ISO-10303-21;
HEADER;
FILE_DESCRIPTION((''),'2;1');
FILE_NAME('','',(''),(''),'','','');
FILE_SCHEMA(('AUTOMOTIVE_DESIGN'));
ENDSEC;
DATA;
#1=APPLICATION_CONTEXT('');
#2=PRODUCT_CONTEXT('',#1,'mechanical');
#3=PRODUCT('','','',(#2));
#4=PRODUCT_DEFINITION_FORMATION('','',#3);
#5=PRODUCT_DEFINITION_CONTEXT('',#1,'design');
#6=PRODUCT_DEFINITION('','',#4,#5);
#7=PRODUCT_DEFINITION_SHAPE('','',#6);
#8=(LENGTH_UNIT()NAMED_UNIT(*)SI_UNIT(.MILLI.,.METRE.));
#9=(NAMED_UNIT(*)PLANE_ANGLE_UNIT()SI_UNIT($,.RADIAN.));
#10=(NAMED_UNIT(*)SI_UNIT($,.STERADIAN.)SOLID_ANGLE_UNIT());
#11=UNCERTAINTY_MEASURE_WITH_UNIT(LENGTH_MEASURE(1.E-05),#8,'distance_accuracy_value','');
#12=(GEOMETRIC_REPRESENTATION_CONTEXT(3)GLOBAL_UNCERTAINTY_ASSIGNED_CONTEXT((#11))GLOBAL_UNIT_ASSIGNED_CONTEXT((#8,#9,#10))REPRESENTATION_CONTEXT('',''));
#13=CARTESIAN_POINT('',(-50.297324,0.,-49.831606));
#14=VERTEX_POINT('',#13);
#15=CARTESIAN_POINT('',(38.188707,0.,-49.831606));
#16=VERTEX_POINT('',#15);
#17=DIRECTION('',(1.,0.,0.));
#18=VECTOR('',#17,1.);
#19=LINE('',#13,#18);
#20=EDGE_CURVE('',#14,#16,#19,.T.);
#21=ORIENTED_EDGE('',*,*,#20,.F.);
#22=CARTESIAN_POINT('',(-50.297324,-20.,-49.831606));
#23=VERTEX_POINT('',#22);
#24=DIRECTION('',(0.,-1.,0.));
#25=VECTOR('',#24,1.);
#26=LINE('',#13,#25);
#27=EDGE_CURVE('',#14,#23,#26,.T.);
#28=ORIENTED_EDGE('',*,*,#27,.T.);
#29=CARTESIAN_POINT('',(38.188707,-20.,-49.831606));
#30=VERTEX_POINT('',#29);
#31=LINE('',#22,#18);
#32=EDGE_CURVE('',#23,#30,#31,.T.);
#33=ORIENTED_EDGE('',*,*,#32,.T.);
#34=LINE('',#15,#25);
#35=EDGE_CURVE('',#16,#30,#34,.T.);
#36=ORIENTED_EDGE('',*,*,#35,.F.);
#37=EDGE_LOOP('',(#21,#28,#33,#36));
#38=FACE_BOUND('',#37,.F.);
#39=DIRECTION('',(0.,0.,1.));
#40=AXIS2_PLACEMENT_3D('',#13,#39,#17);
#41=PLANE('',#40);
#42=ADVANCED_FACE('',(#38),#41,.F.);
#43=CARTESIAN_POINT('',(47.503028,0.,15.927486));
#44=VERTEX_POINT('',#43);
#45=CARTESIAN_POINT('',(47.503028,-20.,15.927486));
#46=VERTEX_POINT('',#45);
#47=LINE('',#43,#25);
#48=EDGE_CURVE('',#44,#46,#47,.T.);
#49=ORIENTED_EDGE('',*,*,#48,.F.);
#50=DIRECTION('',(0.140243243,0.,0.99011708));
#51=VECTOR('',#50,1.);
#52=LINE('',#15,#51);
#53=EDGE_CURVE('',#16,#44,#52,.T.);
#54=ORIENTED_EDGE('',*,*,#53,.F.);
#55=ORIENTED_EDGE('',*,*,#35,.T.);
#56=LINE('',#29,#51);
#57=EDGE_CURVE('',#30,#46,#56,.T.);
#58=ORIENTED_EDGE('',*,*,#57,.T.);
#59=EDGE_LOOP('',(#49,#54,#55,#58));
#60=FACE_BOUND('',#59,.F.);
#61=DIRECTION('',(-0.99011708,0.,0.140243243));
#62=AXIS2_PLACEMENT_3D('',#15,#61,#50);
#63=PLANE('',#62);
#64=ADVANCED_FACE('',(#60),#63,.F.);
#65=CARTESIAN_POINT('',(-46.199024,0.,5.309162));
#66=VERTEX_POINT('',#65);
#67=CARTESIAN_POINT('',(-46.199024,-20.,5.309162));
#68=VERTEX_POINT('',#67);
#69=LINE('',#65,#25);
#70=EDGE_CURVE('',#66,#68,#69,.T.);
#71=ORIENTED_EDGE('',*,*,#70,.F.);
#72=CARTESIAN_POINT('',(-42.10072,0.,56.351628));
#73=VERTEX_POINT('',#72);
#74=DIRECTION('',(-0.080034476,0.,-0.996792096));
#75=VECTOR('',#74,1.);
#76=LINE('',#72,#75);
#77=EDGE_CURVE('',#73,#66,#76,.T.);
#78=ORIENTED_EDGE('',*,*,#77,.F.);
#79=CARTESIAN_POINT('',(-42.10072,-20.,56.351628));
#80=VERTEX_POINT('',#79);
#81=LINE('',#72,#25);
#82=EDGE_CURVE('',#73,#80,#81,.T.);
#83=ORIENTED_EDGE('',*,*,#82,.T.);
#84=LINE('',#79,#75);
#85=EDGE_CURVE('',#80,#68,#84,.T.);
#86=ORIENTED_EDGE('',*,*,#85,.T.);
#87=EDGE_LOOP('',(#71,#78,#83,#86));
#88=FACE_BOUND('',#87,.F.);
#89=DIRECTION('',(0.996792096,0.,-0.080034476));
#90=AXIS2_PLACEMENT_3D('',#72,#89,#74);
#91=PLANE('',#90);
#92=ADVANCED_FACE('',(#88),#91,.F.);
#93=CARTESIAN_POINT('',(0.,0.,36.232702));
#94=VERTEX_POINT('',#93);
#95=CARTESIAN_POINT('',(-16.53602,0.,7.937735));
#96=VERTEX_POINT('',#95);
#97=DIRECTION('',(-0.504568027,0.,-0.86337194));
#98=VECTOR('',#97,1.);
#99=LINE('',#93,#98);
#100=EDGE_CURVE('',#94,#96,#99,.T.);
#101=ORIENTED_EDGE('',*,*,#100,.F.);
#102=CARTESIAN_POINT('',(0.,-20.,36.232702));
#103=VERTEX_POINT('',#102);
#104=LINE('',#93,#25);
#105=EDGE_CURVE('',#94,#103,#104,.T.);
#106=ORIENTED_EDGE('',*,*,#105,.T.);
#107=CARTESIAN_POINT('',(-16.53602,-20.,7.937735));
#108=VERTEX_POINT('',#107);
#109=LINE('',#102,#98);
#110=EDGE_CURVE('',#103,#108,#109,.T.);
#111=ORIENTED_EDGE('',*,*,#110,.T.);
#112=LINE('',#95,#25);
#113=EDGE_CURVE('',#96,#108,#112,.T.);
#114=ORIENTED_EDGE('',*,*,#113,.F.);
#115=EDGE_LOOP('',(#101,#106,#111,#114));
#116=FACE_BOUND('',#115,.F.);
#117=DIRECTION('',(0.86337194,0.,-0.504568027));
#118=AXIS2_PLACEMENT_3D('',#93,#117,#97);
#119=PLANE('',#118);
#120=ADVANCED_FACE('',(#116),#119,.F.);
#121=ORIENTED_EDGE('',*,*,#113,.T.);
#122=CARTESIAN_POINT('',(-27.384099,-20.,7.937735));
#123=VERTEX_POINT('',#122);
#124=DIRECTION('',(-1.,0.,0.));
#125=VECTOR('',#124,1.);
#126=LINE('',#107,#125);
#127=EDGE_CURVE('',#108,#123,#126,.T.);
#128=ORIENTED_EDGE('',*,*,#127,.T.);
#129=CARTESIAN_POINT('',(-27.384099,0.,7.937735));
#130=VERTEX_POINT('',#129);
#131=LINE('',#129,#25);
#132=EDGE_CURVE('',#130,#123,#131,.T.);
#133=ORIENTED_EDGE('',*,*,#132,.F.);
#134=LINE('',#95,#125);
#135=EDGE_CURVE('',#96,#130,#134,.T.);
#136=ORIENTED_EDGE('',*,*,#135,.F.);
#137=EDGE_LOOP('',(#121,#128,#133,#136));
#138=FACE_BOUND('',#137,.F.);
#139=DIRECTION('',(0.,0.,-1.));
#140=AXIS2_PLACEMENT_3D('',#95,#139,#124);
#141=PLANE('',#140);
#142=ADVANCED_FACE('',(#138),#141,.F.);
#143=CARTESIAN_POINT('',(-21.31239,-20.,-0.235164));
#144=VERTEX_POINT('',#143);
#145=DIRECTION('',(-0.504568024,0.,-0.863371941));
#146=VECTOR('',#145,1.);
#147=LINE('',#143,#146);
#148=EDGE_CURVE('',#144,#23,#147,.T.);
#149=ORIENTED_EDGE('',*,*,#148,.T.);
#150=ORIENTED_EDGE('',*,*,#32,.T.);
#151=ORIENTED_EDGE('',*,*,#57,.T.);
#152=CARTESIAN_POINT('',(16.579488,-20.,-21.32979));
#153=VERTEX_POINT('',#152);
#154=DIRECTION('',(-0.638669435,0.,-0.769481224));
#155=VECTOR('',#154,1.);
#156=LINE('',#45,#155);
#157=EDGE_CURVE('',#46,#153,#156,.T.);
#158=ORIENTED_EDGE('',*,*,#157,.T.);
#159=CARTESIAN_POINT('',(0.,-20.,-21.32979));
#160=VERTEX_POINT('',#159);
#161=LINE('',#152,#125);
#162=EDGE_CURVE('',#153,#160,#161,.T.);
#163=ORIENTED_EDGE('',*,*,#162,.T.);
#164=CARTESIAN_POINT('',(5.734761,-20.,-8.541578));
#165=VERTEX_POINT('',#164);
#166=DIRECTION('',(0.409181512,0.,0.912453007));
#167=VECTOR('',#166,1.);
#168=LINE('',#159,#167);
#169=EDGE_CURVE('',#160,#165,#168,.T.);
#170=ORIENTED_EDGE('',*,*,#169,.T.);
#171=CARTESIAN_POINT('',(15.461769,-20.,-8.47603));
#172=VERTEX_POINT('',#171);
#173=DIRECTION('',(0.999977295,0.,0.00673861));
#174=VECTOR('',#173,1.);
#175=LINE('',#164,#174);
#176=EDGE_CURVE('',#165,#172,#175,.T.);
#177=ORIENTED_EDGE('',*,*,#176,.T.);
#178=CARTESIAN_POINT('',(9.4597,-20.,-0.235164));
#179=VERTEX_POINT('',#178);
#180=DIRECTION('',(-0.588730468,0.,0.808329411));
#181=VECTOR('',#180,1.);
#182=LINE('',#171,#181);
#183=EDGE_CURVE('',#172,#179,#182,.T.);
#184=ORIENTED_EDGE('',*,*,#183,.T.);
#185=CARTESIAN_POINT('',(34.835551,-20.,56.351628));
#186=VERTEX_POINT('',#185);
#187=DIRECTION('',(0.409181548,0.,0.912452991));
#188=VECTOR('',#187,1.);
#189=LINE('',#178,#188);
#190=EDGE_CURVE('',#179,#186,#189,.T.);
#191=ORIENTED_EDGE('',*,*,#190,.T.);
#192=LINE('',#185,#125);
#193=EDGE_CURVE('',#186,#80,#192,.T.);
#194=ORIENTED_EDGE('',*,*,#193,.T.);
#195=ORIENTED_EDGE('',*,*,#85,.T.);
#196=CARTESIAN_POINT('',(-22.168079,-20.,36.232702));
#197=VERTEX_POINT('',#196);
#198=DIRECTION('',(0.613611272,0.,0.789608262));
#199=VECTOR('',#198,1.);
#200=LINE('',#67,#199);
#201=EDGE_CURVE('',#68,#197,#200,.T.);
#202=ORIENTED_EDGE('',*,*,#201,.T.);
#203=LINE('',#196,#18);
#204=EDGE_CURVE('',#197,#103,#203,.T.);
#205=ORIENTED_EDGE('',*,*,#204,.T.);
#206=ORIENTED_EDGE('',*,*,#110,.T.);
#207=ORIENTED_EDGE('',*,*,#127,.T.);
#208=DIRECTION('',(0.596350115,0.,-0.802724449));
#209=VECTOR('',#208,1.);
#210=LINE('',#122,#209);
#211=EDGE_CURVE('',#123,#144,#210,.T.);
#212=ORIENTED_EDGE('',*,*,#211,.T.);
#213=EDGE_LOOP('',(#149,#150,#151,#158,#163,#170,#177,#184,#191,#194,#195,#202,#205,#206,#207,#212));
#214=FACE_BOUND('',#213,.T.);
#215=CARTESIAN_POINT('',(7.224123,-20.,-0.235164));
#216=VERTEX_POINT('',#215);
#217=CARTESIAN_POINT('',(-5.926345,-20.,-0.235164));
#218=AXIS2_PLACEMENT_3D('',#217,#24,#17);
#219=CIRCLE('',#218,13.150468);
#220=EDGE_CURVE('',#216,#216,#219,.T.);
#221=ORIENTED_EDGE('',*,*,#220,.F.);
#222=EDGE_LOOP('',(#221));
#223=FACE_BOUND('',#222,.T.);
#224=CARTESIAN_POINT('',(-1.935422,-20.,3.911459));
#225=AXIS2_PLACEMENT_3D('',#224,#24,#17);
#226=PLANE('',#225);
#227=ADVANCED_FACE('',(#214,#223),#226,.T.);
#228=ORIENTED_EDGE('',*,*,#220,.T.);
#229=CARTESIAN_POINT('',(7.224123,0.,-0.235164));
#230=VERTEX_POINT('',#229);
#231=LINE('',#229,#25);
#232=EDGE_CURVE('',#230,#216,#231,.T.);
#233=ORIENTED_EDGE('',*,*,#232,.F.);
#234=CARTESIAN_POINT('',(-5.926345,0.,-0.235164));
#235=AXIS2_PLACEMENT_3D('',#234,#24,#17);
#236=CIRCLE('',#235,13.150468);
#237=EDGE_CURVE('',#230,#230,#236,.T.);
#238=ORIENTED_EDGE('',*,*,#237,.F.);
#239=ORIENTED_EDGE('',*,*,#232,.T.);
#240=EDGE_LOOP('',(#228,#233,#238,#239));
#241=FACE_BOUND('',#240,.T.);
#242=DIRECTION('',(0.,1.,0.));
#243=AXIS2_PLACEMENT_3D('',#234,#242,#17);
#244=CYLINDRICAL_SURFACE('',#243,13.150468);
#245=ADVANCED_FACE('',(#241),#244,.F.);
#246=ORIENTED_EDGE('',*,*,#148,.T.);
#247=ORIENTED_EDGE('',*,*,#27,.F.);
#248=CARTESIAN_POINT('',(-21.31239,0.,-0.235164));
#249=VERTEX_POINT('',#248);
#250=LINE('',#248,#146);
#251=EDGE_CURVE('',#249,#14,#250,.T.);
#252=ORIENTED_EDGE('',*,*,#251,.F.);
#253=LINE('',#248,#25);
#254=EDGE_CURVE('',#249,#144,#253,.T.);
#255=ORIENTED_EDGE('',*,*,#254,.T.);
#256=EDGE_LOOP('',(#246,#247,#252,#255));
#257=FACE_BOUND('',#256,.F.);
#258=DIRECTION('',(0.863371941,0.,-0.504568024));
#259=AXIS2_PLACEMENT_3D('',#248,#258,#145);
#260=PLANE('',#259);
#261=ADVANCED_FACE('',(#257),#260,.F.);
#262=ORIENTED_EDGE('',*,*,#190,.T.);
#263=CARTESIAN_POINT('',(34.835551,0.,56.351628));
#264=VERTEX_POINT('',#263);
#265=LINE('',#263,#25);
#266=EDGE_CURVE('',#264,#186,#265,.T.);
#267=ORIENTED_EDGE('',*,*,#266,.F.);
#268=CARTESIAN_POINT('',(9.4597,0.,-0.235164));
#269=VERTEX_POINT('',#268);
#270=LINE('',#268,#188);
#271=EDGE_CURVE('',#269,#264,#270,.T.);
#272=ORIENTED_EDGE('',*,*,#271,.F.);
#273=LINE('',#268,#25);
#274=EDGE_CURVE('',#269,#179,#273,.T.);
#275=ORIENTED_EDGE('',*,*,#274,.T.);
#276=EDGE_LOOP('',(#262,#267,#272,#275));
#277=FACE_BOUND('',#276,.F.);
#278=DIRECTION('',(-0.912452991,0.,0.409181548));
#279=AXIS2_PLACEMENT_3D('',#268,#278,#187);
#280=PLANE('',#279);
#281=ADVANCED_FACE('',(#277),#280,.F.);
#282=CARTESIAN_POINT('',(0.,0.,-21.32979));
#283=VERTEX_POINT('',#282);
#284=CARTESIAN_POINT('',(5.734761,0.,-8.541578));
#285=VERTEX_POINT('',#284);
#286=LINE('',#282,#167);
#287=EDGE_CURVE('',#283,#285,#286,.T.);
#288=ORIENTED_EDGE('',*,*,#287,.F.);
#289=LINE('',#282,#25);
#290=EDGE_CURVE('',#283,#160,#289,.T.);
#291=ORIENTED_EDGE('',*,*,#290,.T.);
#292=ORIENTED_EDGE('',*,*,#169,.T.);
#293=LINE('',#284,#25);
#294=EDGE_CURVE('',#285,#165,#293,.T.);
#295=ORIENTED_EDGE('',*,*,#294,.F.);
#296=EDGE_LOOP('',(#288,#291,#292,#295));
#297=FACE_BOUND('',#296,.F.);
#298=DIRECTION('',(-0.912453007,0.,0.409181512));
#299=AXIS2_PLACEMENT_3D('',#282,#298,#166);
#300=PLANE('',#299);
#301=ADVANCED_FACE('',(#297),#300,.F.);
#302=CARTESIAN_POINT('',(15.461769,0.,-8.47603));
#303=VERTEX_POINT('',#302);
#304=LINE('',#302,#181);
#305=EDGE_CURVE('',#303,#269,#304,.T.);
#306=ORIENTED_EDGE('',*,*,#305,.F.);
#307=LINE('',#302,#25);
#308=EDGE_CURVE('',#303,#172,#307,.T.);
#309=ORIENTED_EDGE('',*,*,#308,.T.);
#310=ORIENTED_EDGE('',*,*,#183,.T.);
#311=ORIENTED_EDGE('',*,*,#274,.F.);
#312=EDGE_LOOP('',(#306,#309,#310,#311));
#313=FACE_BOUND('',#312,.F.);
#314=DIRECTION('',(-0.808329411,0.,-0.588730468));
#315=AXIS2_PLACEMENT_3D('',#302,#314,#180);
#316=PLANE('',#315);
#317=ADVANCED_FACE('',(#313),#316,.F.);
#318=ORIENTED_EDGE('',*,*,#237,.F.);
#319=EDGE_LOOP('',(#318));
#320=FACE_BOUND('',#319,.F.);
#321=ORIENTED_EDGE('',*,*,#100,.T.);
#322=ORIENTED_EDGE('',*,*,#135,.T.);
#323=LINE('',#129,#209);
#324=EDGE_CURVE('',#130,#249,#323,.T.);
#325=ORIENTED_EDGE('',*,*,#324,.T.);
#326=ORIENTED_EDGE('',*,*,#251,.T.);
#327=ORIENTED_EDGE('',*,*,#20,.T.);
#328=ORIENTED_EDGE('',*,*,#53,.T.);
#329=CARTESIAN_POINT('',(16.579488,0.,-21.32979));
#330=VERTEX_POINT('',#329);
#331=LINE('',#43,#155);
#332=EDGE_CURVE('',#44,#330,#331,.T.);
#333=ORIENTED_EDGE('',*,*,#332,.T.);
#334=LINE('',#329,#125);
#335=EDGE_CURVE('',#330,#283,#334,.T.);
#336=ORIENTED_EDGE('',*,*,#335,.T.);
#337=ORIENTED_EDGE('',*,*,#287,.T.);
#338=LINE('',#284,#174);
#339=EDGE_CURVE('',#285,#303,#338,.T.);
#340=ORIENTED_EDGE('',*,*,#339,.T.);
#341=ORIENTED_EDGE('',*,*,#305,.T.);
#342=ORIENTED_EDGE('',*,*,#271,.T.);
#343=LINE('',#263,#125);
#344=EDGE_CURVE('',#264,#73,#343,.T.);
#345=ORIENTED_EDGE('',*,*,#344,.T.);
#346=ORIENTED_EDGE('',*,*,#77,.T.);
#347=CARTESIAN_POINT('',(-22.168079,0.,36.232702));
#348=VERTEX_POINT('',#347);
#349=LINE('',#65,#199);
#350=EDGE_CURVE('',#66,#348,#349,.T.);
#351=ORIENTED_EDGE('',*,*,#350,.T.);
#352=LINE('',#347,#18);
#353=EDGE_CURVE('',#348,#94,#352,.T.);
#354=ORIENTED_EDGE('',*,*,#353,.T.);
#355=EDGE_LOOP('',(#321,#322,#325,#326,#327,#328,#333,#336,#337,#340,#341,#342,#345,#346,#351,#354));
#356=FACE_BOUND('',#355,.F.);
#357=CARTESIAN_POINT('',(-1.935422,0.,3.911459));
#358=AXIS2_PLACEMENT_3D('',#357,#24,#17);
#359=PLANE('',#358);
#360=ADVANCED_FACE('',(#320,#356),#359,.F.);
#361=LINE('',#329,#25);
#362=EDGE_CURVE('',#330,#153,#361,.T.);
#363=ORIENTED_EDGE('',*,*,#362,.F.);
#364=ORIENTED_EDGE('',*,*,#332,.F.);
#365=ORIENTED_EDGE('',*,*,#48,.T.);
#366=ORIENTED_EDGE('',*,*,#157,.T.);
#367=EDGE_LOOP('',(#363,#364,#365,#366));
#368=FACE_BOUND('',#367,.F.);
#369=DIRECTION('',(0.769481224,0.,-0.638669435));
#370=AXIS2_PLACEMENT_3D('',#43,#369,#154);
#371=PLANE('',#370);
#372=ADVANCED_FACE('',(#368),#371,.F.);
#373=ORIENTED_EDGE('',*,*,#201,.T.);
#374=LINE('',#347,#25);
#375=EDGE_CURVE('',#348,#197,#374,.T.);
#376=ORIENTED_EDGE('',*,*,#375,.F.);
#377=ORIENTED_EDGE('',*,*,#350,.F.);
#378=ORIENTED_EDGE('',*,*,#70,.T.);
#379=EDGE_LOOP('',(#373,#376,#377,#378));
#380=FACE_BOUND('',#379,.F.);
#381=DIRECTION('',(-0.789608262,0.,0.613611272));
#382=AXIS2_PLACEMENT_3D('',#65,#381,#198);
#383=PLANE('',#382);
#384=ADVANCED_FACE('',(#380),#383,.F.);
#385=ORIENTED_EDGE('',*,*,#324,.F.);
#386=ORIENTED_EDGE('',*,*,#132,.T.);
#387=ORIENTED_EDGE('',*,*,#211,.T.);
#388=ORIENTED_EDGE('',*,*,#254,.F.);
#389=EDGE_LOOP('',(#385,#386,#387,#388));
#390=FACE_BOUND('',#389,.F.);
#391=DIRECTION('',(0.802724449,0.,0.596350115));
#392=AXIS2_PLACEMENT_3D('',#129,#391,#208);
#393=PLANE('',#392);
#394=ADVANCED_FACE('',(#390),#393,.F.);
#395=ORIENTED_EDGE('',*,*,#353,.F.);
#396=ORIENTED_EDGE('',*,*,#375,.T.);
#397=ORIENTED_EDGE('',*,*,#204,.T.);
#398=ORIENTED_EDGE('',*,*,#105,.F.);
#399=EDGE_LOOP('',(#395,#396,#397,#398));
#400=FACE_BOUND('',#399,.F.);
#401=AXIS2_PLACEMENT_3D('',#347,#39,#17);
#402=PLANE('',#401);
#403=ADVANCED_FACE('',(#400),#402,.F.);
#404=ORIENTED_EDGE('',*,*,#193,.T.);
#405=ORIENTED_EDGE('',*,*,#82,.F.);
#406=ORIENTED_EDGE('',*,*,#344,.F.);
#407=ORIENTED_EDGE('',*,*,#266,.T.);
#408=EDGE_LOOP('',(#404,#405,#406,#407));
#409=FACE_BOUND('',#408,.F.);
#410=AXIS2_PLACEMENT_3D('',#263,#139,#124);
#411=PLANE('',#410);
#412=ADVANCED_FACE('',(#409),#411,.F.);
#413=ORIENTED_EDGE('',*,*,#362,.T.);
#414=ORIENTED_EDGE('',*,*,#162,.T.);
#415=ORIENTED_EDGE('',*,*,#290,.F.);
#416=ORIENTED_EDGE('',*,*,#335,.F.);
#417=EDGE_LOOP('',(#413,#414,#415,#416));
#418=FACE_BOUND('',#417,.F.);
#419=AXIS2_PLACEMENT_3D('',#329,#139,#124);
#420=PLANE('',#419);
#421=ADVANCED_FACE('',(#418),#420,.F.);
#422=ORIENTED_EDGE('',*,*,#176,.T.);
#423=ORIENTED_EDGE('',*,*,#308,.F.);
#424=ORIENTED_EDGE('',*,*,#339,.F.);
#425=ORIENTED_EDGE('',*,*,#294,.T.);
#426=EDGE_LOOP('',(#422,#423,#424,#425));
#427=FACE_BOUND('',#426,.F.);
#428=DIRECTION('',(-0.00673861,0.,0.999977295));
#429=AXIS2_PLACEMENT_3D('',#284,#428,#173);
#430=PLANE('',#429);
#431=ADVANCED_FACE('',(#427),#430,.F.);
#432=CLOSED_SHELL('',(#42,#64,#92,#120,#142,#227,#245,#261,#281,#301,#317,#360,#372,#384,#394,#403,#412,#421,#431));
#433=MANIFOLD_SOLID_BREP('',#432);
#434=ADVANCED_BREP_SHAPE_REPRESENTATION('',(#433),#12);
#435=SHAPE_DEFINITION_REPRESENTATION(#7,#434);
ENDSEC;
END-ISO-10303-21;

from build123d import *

# Parameters (mm, degrees)
F0_R     = 13.150468
F1_DEPTH = 20


with BuildPart() as f1:
    # F0 (on Front) → F1 (new body)
    with BuildSketch(Plane.XZ):
        Polygon((-42.10072, 56.351628), (-46.199024, 5.309162), (-22.168079, 36.232702), (0, 36.232702), (-16.53602, 7.937735), (-21.31239, -0.235164), (-50.297324, -49.831606), (38.188707, -49.831606), (47.503028, 15.927486), (16.579488, -21.32979), (0, -21.32979), (5.734761, -8.541578), (9.4597, -0.235164), (34.835551, 56.351628), align=None)
        with Locations((-5.926345, -0.235164)):
            Circle(F0_R, mode=Mode.SUBTRACT)
        Polygon((-21.31239, -0.235164), (-16.53602, 7.937735), (-27.384099, 7.937735), align=None)
        Polygon((15.461769, -8.47603), (9.4597, -0.235164), (5.734761, -8.541578), align=None)
    extrude(amount=F1_DEPTH)


solid = f1.part
